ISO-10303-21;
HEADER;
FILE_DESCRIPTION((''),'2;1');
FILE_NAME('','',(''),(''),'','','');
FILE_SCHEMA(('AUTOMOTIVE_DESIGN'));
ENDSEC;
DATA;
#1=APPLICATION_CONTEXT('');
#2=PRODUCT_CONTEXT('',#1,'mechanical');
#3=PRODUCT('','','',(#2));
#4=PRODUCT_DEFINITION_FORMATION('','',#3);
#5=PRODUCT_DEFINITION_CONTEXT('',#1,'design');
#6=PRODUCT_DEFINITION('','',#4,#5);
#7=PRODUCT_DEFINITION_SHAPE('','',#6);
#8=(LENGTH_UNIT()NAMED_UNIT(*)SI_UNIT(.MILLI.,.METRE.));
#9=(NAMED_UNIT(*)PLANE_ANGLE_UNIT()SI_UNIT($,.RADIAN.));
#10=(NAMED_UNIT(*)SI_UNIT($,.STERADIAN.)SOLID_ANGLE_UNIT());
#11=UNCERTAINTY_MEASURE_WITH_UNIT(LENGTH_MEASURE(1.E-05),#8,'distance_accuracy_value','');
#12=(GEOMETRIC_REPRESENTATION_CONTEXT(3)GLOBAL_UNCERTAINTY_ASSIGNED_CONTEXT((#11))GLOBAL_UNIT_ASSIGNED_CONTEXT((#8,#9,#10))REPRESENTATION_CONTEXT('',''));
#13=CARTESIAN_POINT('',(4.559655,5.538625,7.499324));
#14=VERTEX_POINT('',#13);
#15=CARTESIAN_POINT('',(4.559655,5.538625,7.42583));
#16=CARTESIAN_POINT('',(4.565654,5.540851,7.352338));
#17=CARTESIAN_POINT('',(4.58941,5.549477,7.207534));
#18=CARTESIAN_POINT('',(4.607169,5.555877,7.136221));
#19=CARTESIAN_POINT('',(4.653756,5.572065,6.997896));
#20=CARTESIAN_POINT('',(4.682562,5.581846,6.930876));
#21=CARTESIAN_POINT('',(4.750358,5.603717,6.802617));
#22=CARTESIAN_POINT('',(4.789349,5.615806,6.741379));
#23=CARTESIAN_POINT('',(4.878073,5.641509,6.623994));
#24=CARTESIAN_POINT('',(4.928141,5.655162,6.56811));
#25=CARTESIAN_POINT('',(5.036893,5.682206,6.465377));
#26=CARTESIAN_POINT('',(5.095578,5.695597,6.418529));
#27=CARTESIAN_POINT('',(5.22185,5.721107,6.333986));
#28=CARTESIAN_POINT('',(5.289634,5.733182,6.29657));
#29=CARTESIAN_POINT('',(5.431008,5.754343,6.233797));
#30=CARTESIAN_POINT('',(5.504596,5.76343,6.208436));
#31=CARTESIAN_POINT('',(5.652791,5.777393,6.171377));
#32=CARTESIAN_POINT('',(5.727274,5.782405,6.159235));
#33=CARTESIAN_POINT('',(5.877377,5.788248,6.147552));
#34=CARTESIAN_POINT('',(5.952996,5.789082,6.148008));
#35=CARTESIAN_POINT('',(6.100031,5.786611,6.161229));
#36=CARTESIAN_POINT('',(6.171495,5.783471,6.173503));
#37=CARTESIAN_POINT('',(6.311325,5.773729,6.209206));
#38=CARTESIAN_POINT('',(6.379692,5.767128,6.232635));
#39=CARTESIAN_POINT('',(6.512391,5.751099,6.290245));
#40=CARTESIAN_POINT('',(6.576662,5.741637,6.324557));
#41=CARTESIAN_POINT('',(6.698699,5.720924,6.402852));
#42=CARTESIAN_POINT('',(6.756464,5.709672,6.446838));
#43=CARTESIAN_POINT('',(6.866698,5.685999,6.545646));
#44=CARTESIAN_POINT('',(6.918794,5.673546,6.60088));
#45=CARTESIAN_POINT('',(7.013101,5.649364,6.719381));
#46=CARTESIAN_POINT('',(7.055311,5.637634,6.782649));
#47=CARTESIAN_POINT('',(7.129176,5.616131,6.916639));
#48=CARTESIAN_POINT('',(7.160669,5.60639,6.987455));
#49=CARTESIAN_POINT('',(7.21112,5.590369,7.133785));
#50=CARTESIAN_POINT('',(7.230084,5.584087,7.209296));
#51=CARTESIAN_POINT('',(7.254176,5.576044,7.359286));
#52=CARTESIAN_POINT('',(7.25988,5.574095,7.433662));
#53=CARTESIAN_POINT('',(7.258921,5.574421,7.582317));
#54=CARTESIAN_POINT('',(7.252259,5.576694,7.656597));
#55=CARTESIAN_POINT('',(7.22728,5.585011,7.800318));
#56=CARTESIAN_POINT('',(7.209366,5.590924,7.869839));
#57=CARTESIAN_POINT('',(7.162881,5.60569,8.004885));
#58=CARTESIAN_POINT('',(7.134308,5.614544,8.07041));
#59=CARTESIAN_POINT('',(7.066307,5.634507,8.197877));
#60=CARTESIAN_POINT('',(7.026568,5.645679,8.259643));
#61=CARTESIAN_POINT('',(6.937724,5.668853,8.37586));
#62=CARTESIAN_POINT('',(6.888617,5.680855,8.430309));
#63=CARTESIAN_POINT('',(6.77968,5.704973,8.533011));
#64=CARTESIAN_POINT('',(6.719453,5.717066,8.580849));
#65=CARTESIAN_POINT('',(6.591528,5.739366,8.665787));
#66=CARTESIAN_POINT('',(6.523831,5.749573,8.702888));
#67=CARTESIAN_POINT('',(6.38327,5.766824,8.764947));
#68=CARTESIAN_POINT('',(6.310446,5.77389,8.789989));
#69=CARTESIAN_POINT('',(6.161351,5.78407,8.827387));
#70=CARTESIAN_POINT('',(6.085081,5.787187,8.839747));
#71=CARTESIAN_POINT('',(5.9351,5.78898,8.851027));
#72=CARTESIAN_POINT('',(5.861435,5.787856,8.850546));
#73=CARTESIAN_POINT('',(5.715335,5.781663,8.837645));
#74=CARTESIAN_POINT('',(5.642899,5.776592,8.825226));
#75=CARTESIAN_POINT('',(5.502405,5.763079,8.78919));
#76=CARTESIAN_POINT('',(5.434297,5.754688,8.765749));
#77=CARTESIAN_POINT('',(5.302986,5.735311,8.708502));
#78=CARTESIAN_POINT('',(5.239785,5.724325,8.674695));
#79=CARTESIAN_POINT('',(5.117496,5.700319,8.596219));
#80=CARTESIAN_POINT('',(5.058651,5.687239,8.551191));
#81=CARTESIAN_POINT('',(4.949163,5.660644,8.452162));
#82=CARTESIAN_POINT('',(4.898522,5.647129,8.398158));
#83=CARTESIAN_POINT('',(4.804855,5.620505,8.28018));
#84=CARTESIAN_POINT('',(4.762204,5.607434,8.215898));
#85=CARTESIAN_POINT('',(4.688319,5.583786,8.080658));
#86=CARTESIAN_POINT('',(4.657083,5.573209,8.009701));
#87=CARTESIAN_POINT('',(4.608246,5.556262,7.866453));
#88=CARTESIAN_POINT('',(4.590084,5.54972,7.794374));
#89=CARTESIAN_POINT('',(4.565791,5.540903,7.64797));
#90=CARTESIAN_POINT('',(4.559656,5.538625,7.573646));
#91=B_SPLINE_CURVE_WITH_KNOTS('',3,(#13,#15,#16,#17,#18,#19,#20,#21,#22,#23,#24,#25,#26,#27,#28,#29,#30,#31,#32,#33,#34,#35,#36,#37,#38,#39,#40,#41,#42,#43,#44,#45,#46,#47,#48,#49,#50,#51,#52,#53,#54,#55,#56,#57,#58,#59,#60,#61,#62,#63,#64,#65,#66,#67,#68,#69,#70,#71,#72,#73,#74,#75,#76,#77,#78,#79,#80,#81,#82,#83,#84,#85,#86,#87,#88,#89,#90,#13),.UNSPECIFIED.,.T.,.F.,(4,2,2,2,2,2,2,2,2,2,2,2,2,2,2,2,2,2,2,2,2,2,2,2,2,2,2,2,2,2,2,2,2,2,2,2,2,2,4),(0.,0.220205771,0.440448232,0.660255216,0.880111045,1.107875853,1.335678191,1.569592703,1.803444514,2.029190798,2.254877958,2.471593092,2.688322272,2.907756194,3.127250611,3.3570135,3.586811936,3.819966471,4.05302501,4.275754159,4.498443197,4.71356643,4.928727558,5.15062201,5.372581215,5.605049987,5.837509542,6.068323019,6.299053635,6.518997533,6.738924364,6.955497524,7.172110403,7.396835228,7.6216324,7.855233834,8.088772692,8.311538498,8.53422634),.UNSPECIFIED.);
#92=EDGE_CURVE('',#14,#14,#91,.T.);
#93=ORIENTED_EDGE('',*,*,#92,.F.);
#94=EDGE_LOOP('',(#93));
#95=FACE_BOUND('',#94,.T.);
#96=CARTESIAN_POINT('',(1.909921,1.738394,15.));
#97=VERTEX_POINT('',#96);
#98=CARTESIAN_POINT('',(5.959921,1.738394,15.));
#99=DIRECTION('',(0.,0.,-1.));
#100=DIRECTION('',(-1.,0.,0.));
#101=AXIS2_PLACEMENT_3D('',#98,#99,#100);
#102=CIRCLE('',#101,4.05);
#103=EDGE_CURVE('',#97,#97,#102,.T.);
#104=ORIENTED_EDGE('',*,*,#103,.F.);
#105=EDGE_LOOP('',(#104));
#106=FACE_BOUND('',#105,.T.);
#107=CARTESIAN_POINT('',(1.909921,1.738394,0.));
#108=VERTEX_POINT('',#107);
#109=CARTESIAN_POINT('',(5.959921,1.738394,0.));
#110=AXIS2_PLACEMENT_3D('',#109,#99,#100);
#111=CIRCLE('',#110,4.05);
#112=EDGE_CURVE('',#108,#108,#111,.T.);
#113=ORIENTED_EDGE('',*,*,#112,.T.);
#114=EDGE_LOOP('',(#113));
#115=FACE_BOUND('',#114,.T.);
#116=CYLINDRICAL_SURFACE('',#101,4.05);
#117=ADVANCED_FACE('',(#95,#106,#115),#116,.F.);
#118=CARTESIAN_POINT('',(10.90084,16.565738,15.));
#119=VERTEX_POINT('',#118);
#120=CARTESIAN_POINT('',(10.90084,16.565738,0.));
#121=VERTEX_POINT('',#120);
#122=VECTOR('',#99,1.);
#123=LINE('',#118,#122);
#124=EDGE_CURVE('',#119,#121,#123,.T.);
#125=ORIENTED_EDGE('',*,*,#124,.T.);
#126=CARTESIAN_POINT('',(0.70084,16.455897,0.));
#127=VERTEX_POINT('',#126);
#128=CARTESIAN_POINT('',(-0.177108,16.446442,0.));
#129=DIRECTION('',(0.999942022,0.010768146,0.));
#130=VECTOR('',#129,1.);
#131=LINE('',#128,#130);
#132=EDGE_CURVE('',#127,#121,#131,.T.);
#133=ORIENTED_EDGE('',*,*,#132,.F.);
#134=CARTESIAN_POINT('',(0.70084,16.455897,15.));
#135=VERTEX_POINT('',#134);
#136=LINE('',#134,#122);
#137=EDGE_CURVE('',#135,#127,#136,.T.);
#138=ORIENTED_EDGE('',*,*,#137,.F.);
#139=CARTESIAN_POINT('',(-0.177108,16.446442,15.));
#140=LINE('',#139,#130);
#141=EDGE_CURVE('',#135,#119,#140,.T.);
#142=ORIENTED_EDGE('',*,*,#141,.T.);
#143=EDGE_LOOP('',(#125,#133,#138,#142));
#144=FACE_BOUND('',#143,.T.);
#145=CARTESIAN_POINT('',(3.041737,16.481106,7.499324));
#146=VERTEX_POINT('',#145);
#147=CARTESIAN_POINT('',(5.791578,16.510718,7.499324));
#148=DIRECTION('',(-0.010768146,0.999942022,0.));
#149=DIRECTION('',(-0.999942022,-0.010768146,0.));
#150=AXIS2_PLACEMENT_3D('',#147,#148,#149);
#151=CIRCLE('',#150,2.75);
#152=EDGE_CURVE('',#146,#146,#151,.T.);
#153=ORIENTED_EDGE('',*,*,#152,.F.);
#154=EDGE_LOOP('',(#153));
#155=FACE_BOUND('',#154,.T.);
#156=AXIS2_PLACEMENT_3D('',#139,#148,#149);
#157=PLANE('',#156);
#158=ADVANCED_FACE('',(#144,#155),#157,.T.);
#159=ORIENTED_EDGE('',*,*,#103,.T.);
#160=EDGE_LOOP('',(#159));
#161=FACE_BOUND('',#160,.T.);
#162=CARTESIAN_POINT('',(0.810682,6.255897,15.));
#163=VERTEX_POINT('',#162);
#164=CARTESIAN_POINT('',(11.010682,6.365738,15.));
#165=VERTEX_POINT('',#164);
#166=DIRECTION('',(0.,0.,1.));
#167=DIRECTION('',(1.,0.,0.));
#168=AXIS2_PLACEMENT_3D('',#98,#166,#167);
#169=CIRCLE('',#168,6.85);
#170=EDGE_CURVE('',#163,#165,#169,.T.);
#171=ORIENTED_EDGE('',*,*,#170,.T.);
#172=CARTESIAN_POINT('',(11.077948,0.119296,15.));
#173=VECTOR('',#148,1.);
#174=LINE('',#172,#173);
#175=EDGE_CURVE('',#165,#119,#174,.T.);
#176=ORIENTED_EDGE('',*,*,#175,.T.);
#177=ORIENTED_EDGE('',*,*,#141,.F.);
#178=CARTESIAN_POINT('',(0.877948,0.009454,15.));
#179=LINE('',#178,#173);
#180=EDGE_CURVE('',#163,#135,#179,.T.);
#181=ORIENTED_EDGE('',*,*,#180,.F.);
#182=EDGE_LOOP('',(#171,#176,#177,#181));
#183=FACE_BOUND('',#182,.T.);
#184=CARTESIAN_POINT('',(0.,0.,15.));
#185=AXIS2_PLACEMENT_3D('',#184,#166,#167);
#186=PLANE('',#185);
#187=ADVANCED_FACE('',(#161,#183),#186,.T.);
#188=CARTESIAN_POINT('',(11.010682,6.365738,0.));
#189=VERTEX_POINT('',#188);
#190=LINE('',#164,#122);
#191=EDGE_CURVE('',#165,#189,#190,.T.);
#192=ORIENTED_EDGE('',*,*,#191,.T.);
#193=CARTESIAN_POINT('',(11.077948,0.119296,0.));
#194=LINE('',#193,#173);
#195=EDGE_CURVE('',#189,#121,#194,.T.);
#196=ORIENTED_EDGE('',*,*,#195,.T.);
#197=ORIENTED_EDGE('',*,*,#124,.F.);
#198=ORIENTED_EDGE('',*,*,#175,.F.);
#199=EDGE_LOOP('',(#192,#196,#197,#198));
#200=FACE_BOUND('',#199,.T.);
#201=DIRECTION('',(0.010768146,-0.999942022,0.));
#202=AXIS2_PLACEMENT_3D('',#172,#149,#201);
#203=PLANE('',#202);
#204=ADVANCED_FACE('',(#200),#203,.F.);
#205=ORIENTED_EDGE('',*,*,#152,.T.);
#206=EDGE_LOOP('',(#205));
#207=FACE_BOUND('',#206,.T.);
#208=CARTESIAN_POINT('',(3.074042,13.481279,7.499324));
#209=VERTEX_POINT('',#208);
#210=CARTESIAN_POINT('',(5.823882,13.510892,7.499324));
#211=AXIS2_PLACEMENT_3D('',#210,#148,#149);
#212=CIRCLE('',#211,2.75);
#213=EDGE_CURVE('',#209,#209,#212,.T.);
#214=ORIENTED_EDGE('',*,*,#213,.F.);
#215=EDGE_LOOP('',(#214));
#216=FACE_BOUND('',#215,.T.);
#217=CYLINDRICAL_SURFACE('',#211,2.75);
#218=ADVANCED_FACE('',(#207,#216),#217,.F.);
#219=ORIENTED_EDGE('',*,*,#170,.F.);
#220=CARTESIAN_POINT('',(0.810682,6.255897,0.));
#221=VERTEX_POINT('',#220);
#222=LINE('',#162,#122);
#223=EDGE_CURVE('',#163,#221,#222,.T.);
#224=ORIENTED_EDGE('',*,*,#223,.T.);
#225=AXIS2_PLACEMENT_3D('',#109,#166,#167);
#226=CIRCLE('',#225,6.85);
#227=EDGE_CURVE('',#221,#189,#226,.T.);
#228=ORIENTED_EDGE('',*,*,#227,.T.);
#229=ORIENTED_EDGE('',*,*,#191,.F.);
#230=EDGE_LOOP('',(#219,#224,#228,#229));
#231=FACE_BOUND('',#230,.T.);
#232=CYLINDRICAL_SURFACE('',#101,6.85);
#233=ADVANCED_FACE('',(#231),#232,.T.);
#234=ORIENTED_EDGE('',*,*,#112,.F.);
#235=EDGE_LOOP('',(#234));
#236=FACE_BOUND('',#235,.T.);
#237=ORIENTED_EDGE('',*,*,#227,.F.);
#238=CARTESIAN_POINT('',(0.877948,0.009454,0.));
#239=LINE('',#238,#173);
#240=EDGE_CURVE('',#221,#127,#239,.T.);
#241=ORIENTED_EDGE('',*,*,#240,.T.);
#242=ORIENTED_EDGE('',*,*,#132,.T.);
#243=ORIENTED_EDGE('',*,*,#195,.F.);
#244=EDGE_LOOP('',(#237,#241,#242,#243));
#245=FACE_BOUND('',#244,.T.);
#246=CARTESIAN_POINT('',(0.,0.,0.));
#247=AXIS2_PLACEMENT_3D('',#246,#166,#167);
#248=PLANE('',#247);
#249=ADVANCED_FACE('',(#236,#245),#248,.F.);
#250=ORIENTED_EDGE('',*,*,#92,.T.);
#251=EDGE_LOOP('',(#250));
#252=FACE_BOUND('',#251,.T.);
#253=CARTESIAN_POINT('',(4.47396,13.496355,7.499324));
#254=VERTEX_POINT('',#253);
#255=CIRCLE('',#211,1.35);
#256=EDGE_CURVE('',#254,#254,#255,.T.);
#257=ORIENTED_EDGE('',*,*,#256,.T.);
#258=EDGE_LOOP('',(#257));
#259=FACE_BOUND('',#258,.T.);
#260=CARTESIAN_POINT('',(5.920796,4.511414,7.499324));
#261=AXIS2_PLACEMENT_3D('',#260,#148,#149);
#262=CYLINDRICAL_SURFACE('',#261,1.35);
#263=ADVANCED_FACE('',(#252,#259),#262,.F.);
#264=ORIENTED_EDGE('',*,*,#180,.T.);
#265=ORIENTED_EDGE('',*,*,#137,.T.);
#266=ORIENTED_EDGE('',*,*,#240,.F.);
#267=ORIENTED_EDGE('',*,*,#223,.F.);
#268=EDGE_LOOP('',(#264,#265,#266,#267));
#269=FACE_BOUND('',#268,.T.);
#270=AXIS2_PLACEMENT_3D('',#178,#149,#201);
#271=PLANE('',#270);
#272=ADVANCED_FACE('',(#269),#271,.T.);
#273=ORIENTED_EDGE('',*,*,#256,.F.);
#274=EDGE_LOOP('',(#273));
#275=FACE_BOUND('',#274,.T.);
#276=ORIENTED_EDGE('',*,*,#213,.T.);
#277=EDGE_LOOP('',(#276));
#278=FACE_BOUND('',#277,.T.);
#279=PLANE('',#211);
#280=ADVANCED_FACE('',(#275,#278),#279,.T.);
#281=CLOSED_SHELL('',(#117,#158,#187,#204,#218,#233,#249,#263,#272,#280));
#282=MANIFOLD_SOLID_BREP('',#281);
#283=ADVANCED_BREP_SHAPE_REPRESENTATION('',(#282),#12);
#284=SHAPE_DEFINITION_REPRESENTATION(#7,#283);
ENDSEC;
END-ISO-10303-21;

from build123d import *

# Parameters (mm, degrees)
BOSS_EXTRUDE1_DEPTH = 15
SKETCH2_R           = 2.75
CUT_EXTRUDE1_DEPTH  = 3
SKETCH3_R           = 1.35
CUT_EXTRUDE2_DEPTH  = 9
SKETCH4_R           = 4.05
CUT_EXTRUDE3_DEPTH  = 16


with BuildPart() as part:
    # Sketch1 → Boss-Extrude1 (new body)
    with BuildSketch(Plane.XY):
        with BuildLine():
            Line((0.700840098, 16.455896919), (0.810681557, 6.255896919))
            ThreePointArc((0.810681557, 6.255896919), (5.886159138, 8.587996721), (11.010681557, 6.365738378))
            Line((11.010681557, 6.365738378), (10.900840098, 16.565738378))
            Line((10.900840098, 16.565738378), (0.700840098, 16.455896919))
        make_face()
        with BuildLine():
            ThreePointArc((11.010681557, 6.365738378), (5.886159138, 8.587996721), (0.810681557, 6.255896919))
            Line((0.810681557, 6.255896919), (11.010681557, 6.365738378))
        make_face()
        with BuildLine():
            Line((11.010681557, 6.365738378), (0.810681557, 6.255896919))
            ThreePointArc((0.810681557, 6.255896919), (3.546395485, -4.672331118), (12.809920939, 1.738393871))
            ThreePointArc((12.809920939, 1.738393871), (12.344285051, 4.220811017), (11.010681557, 6.365738378))
        make_face()
    extrude(amount=BOSS_EXTRUDE1_DEPTH)

    # Sketch2 → Cut-Extrude1 (cut)
    with BuildSketch(Plane(origin=(-0.177107964, 16.446442498, 0), x_dir=(0.999942022, 0.010768146, 0), z_dir=(-0.010768146, 0.999942022, 0))):
        with Locations((5.96903182, -7.499323697)):
            Circle(SKETCH2_R)
    extrude(amount=-CUT_EXTRUDE1_DEPTH, mode=Mode.SUBTRACT)

    # Sketch3 → Cut-Extrude2 (cut)
    with BuildSketch(Plane(origin=(-0.144803526, 13.446616432, 0), x_dir=(0.999942022, 0.010768146, 0), z_dir=(-0.010768146, 0.999942022, 0))):
        with Locations((5.96903182, -7.499323697)):
            Circle(SKETCH3_R)
    extrude(amount=-CUT_EXTRUDE2_DEPTH, mode=Mode.SUBTRACT)

    # Sketch4 → Cut-Extrude3 (cut, through all)
    with BuildSketch(Plane(origin=(0, 0, 0), x_dir=(-1, 0, 0), z_dir=(0, 0, -1))):
        with Locations((-5.959920939, 1.738393871)):
            Circle(SKETCH4_R)
    extrude(amount=-CUT_EXTRUDE3_DEPTH, mode=Mode.SUBTRACT)


solid = part.part
